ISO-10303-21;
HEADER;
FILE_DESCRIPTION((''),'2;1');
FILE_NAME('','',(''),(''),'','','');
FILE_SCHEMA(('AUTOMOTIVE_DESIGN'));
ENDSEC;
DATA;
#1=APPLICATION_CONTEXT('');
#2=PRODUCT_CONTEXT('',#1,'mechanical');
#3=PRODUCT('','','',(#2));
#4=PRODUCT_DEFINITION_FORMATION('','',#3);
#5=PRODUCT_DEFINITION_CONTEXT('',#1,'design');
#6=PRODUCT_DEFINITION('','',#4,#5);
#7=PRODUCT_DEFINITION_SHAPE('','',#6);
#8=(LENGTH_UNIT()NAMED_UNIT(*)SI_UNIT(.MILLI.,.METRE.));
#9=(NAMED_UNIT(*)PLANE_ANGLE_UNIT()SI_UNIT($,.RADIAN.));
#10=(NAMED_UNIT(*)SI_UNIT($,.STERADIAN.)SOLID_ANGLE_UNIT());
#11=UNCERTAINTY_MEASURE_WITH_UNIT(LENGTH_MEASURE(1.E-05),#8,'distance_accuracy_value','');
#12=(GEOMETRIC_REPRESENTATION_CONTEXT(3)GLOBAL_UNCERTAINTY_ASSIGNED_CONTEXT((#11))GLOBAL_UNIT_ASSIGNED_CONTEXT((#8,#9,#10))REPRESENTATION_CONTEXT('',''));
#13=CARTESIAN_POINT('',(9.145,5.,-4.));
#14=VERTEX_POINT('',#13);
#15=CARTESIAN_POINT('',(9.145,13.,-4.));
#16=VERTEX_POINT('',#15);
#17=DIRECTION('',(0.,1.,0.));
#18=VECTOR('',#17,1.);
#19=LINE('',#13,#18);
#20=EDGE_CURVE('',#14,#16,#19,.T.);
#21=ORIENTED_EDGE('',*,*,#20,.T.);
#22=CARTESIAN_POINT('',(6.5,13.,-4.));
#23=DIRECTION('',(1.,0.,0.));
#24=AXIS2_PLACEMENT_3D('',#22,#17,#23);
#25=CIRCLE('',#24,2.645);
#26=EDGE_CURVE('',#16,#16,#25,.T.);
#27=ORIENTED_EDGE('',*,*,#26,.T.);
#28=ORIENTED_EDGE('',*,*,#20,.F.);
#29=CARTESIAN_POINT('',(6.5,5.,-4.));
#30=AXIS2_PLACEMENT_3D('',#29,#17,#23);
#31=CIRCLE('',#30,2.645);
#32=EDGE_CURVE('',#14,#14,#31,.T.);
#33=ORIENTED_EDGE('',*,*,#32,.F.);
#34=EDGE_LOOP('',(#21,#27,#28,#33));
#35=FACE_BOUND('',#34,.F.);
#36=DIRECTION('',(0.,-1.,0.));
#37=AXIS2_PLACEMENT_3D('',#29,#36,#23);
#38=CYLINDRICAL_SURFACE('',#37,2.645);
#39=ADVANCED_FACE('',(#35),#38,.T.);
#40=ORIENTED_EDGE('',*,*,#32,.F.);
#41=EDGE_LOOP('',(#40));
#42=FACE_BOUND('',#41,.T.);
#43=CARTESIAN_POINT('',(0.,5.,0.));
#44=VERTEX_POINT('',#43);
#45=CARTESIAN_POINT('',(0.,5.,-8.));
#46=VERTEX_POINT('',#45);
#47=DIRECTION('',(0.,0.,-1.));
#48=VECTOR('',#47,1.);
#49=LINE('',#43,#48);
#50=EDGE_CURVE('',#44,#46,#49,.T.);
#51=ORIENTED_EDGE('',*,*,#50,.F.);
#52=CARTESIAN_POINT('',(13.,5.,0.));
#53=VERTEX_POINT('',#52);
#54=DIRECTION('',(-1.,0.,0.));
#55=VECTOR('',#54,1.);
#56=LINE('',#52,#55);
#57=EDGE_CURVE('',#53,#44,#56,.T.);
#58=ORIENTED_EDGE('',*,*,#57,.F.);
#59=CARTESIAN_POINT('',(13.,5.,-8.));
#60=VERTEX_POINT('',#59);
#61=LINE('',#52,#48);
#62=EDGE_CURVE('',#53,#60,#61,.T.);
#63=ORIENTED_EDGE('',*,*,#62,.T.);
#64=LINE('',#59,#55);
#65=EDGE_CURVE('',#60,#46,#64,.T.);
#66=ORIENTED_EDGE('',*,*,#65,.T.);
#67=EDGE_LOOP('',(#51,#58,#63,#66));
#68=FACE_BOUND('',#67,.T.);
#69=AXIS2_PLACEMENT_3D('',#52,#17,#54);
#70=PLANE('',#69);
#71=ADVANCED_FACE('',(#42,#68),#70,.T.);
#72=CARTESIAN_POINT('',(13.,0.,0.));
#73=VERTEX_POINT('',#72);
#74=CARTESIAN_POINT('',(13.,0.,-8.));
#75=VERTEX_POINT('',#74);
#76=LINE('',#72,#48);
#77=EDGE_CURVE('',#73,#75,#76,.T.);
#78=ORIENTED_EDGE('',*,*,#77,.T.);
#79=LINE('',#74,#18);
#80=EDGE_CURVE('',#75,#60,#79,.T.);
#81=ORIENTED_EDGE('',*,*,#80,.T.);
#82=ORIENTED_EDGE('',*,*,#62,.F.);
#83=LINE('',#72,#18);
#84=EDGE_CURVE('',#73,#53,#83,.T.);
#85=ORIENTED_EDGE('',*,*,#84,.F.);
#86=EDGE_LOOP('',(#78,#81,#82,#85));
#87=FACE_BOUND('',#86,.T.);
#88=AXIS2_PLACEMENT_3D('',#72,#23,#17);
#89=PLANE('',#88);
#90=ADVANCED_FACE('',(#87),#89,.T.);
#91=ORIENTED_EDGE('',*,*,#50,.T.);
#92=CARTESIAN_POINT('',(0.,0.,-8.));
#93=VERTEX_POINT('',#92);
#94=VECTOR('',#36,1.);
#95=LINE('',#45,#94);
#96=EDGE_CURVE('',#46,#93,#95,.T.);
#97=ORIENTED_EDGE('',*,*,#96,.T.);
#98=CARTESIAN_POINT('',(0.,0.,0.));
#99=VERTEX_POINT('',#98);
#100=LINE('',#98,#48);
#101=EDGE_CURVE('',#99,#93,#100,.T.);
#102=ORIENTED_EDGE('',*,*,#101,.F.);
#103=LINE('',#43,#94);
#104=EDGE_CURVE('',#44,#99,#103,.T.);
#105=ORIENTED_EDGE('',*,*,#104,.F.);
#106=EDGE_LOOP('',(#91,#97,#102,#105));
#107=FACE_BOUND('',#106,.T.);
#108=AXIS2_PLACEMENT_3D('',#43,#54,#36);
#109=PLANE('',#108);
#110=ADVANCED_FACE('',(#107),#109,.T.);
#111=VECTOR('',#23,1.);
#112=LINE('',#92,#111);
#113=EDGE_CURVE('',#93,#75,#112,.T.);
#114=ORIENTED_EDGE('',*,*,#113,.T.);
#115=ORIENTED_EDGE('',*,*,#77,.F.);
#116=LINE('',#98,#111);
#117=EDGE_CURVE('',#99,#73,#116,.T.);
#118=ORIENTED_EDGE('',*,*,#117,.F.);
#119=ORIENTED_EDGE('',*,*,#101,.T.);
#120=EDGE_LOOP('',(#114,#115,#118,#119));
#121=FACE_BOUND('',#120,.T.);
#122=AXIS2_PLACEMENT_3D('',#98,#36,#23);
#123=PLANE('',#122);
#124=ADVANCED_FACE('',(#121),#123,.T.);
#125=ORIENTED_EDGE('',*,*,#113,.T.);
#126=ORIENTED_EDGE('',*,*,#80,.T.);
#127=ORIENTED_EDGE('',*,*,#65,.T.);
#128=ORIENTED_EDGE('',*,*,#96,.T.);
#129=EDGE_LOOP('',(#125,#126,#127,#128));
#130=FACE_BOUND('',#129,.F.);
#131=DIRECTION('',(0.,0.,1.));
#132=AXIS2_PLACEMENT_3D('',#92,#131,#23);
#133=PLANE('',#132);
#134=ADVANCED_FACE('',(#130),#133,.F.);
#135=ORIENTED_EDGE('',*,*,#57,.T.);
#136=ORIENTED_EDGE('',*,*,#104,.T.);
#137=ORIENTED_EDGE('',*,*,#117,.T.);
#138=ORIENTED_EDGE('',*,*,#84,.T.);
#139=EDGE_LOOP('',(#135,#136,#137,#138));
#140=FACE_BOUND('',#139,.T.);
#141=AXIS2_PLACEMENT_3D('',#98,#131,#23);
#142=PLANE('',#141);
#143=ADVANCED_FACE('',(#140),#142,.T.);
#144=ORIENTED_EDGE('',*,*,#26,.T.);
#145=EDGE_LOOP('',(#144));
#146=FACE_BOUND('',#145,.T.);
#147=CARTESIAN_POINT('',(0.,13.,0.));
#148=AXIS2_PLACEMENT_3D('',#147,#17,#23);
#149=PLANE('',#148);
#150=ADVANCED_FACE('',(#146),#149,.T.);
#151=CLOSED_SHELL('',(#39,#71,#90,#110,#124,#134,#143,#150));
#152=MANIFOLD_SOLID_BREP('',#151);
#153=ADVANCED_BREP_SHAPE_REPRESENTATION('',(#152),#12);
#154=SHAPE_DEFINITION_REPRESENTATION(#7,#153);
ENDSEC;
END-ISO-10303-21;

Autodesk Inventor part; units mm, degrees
ref_plane "YZ Plane" through (0, 0, 0) normal (1, 0, 0) x (0, 1, 0)
ref_plane "XZ Plane" through (0, 0, 0) normal (0, 1, 0) x (-1, 0, 0)
ref_plane "XY Plane" through (0, 0, 0) normal (0, 0, 1) x (1, 0, 0)
sketch "Sketch1" plane through (0, 0, 0) normal (0, 0, 1) x (1, 0, 0)
  line L0 (0, 0) -> (13, 0)
  line L1 (13, 0) -> (13, 5)
  line L2 (13, 5) -> (0, 5)
  line L3 (0, 5) -> (0, 0)
  dimension "d0" = 13
  dimension "d1" = 5
extrude "Extrusion1" add sketch "Sketch1" against normal blind 8
sketch "Sketch2" plane through (0, 5, 0) normal (0, 1, 0) x (1, 0, 0)
  line L0 (13, 0) -> (0, 0) projected
  line L1 (13, 0) -> (13, 8) projected
  line L2 (0, 8) -> (13, 8) projected
  line L3 (0, 0) -> (0, 8) projected
  circle A0 centre (6.5, 4) radius 2.645
  point P0 (6.5, 8)
  point P1 (0, 4)
  dimension "d4" = 5.29
extrude "Extrusion2" add sketch "Sketch2" along normal blind 8 contours A0
properties part number "switch"
